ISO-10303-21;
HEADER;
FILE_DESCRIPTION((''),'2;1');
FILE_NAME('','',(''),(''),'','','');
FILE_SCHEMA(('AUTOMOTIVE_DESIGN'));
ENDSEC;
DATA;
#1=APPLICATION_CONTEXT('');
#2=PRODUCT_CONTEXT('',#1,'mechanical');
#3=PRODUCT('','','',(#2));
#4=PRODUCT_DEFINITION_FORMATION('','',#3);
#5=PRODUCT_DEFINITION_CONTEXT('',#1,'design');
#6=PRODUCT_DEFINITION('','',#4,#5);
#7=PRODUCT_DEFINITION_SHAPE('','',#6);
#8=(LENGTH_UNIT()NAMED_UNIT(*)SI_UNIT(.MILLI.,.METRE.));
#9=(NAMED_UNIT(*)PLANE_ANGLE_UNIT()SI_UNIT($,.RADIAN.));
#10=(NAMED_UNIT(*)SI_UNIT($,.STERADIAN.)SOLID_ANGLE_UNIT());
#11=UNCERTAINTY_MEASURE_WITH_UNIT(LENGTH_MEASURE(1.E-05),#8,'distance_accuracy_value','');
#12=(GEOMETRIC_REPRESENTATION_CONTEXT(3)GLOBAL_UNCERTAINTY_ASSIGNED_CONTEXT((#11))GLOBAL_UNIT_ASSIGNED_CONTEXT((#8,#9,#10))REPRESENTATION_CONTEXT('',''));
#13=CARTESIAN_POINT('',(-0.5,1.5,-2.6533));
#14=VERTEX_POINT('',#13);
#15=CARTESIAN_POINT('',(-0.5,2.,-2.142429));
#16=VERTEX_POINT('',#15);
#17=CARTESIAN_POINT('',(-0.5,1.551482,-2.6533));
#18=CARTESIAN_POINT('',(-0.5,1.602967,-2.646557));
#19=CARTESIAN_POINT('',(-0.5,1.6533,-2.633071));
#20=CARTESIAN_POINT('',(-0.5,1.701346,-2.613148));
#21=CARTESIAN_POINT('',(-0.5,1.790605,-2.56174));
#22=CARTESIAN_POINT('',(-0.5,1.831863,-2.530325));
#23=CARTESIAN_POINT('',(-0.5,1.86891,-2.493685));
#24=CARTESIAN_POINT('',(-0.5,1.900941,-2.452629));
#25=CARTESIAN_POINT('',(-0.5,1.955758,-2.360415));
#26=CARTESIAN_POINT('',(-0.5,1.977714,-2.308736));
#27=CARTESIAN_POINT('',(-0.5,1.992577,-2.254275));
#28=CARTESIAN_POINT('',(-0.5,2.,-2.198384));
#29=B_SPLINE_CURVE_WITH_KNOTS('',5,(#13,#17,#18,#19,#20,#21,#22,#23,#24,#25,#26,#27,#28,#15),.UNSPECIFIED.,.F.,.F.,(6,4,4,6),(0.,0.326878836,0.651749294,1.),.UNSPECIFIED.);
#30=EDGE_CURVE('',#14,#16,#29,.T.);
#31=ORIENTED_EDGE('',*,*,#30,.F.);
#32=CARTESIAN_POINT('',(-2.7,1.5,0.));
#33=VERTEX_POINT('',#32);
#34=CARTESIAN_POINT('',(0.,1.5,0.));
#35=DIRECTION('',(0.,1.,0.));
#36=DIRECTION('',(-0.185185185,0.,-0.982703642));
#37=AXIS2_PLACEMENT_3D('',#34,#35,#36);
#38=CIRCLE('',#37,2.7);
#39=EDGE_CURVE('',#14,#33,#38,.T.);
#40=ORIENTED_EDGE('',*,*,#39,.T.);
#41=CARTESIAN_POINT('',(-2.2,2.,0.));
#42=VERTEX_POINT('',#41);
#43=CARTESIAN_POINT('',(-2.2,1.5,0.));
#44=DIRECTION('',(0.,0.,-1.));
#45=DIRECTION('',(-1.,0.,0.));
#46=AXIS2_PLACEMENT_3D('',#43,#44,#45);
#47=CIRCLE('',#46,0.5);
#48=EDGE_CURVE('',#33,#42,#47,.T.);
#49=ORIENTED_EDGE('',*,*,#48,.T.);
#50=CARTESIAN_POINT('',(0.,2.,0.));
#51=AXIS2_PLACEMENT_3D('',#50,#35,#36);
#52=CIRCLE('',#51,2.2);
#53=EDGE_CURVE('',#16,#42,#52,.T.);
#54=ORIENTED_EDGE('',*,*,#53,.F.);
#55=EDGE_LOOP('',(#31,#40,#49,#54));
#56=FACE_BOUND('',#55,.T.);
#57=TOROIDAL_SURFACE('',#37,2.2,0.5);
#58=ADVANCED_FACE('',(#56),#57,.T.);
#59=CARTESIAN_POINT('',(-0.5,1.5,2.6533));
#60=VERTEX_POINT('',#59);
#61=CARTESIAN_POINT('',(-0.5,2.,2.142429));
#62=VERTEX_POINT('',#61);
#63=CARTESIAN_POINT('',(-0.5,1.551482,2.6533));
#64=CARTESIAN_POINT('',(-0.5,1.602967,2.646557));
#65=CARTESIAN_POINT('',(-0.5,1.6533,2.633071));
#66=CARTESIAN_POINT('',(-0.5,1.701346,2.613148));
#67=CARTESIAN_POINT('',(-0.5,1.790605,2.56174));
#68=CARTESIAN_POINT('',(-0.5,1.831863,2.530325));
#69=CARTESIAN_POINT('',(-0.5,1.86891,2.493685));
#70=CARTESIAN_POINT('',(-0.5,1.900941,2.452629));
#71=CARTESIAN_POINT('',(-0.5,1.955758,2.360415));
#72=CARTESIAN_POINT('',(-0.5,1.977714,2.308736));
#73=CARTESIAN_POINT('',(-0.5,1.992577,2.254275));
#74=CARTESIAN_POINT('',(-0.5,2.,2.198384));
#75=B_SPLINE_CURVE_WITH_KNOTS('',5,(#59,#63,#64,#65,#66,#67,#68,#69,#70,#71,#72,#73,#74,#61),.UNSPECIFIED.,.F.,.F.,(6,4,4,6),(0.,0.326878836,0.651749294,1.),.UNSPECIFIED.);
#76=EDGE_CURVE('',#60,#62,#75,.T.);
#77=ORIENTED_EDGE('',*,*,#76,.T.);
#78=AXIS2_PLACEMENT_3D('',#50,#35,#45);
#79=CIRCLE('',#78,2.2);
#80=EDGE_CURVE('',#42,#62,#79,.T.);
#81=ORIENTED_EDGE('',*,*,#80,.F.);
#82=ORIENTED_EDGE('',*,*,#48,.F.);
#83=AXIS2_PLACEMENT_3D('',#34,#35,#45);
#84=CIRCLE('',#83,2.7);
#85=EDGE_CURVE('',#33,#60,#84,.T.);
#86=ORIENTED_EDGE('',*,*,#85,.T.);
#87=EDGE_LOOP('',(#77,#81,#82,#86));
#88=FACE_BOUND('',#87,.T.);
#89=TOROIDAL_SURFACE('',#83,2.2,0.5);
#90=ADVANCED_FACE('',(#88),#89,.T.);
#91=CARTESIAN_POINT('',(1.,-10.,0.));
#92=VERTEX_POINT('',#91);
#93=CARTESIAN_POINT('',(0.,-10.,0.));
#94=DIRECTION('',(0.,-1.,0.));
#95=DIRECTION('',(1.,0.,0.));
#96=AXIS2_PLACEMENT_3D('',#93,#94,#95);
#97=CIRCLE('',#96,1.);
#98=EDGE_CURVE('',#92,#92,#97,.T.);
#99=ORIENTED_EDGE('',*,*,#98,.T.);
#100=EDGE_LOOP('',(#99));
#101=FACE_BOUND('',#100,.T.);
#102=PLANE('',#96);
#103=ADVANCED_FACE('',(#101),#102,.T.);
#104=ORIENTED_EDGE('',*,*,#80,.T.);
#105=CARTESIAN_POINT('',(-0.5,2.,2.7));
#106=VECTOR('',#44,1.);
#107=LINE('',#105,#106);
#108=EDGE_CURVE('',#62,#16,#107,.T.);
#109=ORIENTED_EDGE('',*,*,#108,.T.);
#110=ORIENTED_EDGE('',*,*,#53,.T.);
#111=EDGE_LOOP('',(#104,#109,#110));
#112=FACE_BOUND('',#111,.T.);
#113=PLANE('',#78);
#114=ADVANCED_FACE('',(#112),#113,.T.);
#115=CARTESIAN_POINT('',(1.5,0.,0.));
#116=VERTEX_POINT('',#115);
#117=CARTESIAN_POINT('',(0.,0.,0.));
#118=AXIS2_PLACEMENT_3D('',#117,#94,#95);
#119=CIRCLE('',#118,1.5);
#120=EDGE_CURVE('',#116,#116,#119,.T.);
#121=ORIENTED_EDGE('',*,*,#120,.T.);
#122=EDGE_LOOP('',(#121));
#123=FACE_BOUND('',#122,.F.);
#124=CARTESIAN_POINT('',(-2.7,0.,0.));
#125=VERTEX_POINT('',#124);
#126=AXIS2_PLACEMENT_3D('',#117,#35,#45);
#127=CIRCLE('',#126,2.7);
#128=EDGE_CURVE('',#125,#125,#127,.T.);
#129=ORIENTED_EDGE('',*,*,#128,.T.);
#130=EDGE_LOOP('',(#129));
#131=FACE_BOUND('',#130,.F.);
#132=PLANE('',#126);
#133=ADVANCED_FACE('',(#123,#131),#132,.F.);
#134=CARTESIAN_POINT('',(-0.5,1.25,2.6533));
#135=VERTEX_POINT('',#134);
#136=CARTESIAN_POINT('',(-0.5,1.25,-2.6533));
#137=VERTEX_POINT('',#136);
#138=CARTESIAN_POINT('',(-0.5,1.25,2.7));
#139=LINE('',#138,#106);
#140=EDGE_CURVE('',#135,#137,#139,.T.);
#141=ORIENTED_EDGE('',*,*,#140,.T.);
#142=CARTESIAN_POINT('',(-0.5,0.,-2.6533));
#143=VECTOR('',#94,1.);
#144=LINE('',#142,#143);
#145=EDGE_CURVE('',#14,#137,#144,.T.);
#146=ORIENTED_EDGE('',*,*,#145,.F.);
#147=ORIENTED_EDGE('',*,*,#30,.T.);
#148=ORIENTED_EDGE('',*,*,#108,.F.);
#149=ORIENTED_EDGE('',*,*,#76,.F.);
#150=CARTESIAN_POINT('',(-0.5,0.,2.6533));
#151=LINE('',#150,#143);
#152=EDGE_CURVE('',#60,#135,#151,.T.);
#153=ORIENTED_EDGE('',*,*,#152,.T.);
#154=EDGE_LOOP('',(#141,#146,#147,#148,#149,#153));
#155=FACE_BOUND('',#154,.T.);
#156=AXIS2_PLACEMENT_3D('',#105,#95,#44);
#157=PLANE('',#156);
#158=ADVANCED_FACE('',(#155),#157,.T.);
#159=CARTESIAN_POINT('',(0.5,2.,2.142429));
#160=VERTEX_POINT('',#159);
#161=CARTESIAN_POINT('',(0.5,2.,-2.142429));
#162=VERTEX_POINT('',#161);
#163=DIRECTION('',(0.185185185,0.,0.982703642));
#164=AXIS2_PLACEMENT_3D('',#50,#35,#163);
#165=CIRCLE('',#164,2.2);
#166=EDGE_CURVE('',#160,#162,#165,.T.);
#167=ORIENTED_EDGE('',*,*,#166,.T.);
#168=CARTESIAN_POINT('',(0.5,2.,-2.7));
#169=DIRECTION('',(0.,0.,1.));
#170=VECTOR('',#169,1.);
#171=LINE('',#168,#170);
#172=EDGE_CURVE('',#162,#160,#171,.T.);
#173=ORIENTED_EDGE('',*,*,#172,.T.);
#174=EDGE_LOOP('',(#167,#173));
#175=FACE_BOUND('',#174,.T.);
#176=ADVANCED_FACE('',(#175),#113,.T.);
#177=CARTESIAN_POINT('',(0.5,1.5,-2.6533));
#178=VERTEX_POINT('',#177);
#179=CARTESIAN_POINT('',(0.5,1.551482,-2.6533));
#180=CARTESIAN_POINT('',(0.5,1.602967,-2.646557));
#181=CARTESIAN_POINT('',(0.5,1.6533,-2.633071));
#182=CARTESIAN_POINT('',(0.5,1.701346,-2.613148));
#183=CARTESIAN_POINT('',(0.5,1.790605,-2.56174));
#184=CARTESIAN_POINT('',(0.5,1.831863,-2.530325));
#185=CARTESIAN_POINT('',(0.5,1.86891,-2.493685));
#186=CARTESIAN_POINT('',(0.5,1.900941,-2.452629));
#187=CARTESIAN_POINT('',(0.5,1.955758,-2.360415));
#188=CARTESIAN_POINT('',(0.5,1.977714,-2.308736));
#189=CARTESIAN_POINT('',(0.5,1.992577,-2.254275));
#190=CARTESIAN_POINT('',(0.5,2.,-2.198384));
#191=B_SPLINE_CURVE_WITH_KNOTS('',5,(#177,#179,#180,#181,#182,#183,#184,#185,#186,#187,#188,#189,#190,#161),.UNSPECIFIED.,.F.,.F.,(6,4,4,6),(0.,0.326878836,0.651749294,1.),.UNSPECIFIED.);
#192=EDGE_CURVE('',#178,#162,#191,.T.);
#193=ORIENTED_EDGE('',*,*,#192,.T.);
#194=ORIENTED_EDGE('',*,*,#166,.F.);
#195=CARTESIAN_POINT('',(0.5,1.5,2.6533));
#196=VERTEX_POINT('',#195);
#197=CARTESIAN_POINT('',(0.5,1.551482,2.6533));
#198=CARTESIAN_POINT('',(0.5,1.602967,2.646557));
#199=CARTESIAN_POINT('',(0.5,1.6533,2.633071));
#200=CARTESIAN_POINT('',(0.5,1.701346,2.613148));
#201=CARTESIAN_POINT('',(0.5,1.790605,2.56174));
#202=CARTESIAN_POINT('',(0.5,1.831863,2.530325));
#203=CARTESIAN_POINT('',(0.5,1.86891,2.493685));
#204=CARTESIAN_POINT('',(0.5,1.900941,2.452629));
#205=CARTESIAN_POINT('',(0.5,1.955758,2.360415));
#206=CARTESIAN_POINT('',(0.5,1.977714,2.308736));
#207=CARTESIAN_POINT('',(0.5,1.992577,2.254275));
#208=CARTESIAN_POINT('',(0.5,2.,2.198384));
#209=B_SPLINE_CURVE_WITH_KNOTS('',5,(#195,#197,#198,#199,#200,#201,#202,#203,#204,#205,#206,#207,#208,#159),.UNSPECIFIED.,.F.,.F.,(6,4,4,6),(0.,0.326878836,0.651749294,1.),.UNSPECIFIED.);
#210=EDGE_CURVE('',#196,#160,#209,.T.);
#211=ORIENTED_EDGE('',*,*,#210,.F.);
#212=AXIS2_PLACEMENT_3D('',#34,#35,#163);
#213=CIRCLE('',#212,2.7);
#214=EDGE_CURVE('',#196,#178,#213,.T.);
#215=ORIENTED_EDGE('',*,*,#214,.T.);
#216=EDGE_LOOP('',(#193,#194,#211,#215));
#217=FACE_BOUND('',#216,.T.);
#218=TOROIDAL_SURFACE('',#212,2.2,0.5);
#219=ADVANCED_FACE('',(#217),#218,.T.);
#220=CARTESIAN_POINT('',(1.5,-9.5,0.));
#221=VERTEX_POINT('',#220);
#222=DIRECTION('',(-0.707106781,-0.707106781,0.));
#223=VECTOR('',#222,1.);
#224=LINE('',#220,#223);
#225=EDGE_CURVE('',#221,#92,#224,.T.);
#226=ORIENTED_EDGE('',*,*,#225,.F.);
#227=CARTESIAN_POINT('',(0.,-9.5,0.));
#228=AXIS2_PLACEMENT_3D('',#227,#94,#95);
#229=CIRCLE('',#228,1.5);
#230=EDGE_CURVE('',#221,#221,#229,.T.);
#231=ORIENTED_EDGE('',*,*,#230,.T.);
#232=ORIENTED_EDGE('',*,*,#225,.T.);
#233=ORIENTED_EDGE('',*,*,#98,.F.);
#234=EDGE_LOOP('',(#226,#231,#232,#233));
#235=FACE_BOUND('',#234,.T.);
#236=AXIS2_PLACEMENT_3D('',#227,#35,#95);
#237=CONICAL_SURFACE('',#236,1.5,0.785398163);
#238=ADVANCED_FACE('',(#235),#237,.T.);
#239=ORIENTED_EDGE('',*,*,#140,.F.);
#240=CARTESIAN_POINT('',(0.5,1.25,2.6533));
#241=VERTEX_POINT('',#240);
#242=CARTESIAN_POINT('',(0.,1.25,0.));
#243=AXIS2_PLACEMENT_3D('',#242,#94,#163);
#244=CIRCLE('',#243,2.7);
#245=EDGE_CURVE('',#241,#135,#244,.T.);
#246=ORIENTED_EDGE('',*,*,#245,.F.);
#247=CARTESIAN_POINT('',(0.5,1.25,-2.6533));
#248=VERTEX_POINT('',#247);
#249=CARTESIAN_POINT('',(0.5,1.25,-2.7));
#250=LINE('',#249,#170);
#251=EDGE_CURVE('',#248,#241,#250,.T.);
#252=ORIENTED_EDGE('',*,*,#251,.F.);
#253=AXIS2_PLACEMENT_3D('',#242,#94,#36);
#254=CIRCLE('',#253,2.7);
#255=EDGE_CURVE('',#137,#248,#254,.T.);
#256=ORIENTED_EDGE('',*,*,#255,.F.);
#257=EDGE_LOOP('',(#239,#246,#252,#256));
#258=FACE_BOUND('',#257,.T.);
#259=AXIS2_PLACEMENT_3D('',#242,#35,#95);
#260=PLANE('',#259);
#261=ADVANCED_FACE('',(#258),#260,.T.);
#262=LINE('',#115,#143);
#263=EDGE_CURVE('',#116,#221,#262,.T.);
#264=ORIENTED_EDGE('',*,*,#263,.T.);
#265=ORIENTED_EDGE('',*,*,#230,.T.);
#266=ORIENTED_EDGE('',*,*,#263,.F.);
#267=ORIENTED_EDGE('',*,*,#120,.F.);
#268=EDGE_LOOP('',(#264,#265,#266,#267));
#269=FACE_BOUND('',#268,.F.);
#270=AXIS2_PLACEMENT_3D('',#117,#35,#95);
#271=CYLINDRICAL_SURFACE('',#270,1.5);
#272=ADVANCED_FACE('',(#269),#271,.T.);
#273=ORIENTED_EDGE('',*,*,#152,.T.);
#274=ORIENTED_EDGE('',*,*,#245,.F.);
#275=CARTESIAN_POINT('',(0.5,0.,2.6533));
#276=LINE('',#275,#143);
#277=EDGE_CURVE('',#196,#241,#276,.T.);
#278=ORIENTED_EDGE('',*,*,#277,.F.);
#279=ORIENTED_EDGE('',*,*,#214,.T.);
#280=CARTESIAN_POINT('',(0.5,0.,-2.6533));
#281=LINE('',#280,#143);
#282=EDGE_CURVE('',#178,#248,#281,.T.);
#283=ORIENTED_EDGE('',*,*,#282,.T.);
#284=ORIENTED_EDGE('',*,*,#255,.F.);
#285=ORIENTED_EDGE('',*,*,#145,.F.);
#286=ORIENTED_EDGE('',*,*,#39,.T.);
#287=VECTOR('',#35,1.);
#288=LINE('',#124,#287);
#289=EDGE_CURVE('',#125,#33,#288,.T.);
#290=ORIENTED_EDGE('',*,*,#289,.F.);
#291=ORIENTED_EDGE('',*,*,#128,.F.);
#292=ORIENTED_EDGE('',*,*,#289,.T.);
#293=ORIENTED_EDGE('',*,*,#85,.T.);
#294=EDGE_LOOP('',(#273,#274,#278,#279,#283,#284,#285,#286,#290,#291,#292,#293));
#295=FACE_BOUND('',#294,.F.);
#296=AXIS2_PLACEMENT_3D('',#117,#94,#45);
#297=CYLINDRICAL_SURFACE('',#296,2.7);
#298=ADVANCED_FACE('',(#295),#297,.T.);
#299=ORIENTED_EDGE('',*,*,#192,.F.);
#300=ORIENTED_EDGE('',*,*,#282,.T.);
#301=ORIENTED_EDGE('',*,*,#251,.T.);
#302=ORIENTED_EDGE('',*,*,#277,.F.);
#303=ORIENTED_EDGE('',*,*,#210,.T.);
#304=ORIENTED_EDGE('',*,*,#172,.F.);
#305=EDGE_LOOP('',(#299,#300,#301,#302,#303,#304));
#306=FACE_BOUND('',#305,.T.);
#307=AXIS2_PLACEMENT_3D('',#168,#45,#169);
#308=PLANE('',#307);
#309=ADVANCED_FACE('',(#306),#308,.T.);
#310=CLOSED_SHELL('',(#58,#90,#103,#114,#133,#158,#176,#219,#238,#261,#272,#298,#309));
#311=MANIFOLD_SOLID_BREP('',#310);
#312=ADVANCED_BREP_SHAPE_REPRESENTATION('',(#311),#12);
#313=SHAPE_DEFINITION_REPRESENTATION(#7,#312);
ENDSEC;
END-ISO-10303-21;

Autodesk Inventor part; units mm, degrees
ref_plane "YZ Plane" through (0, 0, 0) normal (1, 0, 0) x (0, 1, 0)
ref_plane "XZ Plane" through (0, 0, 0) normal (0, 1, 0) x (-1, 0, 0)
ref_plane "XY Plane" through (0, 0, 0) normal (0, 0, 1) x (1, 0, 0)
sketch "Sketch1" plane through (0, 0, 0) normal (0, 1, 0) x (-1, 0, 0)
  circle A0 centre (0, 0) radius 2.7
  dimension "headDiameter" = 5.4
extrude "Extrusion1" add sketch "Sketch1" along normal blind 2
sketch "Sketch2" plane through (0, 2, 0) normal (0, 1, 0) x (1, 0, 0)
  line L0 (0.5, -2.7) -> (-0.5, -2.7)
  line L1 (-0.5, -2.7) -> (-0.5, 2.7)
  line L2 (-0.5, 2.7) -> (0.5, 2.7)
  line L3 (0.5, 2.7) -> (0.5, -2.7)
  line L4 (0.5, -2.7) -> (-0.5, 2.7) construction
  line L5 (-0.5, -2.7) -> (0.5, 2.7) construction
  point P0 (0, 0)
  dimension "d3" = 1
  dimension "d4" = 5.4
extrude "Extrusion2" cut sketch "Sketch2" against normal blind 0.75
sketch "Sketch3" plane through (0, 0, 0) normal (0, -1, 0) x (1, 0, 0)
  circle A0 centre (0, 0) radius 1.5
  dimension "d7" = 3
extrude "Extrusion3" add sketch "Sketch3" along normal blind 10
chamfer "Chamfer1" distance 0.5 angle 45 1 edges at (-1.5, -10, 0)
fillet "Fillet1" radius 0.5 3 edges at (-2.0785, 2, 1.7234) (-2.0785, 2, -1.7234) (2.7, 2, 0)
equation "\"d4\" = headDiameter"
properties part number "machineScrew3x10" material "Stainless Steel"
